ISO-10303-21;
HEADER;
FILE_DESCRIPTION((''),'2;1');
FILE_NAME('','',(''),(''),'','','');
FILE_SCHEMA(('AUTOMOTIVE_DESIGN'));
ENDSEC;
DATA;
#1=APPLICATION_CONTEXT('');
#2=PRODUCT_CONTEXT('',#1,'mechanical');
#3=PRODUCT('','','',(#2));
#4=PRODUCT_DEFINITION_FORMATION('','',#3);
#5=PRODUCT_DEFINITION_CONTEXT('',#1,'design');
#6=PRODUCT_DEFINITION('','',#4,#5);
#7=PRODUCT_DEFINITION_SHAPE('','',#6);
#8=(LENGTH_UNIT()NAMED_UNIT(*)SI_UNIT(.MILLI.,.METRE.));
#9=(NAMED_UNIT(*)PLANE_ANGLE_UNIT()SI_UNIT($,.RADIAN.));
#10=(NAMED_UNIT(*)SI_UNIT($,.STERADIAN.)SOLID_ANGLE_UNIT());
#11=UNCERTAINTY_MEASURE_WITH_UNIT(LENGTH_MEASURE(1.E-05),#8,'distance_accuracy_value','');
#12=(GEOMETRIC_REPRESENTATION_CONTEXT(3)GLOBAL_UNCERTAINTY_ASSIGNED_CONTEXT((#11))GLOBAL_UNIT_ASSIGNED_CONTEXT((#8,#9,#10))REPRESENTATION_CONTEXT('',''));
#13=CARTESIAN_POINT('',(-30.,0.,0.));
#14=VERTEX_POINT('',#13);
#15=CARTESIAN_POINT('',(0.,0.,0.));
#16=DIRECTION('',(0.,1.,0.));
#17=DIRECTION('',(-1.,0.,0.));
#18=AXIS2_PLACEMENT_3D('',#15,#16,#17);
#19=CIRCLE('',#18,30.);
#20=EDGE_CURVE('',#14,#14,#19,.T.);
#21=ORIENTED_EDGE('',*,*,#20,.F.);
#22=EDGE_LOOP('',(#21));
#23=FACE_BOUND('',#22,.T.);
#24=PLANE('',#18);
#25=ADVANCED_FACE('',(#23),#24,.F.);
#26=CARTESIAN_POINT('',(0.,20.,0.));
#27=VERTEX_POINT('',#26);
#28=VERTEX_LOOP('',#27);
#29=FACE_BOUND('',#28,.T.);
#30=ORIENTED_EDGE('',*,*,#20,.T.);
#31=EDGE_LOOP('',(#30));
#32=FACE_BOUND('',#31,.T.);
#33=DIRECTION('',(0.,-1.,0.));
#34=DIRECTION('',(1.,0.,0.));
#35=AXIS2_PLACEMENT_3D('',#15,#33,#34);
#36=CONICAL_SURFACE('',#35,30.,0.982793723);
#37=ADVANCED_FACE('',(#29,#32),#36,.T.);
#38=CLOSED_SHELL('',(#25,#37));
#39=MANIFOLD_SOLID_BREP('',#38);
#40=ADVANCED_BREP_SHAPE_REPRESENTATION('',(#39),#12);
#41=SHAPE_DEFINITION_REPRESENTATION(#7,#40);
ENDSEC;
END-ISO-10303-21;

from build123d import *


with BuildPart() as part:
    # Sketch1 → Revolve1 (revolve)
    with BuildSketch(Plane.XY):
        Polygon((0, 0), (30, 0), (0, 20), align=None)
    revolve(axis=Axis((0, 20, 0), (0, -1, 0)))


solid = part.part
